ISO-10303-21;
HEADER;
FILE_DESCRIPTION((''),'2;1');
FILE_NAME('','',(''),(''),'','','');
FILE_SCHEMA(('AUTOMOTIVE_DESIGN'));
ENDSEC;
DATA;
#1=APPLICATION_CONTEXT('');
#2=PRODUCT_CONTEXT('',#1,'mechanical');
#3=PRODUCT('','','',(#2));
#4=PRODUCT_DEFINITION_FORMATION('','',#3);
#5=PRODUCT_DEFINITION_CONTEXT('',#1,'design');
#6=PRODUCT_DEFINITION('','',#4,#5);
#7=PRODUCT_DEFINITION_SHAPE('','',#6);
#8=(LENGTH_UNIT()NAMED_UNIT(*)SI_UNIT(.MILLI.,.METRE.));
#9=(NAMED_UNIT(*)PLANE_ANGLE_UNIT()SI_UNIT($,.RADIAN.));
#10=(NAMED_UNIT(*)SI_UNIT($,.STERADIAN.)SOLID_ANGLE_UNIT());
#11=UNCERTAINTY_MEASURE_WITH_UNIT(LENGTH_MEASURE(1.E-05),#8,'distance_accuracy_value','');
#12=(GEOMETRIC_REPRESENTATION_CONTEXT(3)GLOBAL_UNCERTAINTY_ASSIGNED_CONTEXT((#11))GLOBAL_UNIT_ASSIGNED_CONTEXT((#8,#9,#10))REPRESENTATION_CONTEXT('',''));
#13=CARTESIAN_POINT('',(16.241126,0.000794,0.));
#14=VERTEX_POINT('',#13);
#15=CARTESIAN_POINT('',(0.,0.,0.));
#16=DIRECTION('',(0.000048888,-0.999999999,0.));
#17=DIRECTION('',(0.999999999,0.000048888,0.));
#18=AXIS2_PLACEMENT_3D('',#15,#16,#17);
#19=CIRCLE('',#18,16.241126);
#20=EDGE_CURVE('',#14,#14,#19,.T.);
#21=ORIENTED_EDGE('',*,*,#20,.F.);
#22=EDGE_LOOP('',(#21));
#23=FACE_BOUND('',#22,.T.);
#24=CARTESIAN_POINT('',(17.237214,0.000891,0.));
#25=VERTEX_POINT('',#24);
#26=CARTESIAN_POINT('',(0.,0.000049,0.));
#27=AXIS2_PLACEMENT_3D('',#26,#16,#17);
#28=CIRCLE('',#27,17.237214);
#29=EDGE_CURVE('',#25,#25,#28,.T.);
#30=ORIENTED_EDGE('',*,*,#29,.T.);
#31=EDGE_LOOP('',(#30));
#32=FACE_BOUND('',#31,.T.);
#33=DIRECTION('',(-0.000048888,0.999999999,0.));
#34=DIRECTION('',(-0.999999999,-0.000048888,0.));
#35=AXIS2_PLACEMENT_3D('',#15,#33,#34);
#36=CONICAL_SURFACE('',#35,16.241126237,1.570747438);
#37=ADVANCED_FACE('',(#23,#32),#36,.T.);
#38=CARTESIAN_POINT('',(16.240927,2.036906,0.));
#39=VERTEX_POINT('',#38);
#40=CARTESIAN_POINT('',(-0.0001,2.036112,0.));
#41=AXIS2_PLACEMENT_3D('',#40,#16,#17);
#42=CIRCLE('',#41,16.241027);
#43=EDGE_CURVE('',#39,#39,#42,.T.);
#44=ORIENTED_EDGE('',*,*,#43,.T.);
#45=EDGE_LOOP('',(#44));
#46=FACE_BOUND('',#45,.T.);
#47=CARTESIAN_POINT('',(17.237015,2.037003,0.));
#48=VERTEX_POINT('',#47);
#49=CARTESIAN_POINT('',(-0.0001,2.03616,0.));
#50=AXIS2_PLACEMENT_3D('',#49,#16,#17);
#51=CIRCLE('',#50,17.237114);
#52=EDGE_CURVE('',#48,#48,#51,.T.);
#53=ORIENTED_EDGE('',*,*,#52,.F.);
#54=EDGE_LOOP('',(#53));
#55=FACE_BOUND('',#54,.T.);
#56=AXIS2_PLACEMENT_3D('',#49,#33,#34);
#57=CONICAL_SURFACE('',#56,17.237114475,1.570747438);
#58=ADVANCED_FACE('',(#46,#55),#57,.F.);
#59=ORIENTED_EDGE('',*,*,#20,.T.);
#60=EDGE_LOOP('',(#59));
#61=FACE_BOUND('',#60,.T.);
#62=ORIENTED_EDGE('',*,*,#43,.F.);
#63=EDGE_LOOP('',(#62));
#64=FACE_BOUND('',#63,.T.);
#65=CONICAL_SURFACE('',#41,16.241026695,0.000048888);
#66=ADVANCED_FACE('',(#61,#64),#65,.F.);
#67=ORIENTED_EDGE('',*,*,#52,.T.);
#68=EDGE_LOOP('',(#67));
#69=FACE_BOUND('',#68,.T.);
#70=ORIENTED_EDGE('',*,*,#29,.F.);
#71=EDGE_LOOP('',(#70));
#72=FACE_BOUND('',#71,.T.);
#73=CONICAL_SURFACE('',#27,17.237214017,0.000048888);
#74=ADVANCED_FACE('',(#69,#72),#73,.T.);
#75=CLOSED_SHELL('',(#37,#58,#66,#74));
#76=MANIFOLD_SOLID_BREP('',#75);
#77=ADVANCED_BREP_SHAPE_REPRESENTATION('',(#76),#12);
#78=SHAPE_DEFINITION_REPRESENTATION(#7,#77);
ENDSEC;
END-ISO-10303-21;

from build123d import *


with BuildPart() as part:
    # Çizim1 → Döndür1 (revolve)
    with BuildSketch(Plane.XY):
        Polygon((17.237213994, 0.000891396), (17.23701491, 2.037002968), (16.240927134, 2.036905574), (16.241126218, 0.000794001), align=None)
    revolve(axis=Axis((0, 0, 0), (-4.888832334972122e-05, 0.9999999988049659, 0)))


solid = part.part
